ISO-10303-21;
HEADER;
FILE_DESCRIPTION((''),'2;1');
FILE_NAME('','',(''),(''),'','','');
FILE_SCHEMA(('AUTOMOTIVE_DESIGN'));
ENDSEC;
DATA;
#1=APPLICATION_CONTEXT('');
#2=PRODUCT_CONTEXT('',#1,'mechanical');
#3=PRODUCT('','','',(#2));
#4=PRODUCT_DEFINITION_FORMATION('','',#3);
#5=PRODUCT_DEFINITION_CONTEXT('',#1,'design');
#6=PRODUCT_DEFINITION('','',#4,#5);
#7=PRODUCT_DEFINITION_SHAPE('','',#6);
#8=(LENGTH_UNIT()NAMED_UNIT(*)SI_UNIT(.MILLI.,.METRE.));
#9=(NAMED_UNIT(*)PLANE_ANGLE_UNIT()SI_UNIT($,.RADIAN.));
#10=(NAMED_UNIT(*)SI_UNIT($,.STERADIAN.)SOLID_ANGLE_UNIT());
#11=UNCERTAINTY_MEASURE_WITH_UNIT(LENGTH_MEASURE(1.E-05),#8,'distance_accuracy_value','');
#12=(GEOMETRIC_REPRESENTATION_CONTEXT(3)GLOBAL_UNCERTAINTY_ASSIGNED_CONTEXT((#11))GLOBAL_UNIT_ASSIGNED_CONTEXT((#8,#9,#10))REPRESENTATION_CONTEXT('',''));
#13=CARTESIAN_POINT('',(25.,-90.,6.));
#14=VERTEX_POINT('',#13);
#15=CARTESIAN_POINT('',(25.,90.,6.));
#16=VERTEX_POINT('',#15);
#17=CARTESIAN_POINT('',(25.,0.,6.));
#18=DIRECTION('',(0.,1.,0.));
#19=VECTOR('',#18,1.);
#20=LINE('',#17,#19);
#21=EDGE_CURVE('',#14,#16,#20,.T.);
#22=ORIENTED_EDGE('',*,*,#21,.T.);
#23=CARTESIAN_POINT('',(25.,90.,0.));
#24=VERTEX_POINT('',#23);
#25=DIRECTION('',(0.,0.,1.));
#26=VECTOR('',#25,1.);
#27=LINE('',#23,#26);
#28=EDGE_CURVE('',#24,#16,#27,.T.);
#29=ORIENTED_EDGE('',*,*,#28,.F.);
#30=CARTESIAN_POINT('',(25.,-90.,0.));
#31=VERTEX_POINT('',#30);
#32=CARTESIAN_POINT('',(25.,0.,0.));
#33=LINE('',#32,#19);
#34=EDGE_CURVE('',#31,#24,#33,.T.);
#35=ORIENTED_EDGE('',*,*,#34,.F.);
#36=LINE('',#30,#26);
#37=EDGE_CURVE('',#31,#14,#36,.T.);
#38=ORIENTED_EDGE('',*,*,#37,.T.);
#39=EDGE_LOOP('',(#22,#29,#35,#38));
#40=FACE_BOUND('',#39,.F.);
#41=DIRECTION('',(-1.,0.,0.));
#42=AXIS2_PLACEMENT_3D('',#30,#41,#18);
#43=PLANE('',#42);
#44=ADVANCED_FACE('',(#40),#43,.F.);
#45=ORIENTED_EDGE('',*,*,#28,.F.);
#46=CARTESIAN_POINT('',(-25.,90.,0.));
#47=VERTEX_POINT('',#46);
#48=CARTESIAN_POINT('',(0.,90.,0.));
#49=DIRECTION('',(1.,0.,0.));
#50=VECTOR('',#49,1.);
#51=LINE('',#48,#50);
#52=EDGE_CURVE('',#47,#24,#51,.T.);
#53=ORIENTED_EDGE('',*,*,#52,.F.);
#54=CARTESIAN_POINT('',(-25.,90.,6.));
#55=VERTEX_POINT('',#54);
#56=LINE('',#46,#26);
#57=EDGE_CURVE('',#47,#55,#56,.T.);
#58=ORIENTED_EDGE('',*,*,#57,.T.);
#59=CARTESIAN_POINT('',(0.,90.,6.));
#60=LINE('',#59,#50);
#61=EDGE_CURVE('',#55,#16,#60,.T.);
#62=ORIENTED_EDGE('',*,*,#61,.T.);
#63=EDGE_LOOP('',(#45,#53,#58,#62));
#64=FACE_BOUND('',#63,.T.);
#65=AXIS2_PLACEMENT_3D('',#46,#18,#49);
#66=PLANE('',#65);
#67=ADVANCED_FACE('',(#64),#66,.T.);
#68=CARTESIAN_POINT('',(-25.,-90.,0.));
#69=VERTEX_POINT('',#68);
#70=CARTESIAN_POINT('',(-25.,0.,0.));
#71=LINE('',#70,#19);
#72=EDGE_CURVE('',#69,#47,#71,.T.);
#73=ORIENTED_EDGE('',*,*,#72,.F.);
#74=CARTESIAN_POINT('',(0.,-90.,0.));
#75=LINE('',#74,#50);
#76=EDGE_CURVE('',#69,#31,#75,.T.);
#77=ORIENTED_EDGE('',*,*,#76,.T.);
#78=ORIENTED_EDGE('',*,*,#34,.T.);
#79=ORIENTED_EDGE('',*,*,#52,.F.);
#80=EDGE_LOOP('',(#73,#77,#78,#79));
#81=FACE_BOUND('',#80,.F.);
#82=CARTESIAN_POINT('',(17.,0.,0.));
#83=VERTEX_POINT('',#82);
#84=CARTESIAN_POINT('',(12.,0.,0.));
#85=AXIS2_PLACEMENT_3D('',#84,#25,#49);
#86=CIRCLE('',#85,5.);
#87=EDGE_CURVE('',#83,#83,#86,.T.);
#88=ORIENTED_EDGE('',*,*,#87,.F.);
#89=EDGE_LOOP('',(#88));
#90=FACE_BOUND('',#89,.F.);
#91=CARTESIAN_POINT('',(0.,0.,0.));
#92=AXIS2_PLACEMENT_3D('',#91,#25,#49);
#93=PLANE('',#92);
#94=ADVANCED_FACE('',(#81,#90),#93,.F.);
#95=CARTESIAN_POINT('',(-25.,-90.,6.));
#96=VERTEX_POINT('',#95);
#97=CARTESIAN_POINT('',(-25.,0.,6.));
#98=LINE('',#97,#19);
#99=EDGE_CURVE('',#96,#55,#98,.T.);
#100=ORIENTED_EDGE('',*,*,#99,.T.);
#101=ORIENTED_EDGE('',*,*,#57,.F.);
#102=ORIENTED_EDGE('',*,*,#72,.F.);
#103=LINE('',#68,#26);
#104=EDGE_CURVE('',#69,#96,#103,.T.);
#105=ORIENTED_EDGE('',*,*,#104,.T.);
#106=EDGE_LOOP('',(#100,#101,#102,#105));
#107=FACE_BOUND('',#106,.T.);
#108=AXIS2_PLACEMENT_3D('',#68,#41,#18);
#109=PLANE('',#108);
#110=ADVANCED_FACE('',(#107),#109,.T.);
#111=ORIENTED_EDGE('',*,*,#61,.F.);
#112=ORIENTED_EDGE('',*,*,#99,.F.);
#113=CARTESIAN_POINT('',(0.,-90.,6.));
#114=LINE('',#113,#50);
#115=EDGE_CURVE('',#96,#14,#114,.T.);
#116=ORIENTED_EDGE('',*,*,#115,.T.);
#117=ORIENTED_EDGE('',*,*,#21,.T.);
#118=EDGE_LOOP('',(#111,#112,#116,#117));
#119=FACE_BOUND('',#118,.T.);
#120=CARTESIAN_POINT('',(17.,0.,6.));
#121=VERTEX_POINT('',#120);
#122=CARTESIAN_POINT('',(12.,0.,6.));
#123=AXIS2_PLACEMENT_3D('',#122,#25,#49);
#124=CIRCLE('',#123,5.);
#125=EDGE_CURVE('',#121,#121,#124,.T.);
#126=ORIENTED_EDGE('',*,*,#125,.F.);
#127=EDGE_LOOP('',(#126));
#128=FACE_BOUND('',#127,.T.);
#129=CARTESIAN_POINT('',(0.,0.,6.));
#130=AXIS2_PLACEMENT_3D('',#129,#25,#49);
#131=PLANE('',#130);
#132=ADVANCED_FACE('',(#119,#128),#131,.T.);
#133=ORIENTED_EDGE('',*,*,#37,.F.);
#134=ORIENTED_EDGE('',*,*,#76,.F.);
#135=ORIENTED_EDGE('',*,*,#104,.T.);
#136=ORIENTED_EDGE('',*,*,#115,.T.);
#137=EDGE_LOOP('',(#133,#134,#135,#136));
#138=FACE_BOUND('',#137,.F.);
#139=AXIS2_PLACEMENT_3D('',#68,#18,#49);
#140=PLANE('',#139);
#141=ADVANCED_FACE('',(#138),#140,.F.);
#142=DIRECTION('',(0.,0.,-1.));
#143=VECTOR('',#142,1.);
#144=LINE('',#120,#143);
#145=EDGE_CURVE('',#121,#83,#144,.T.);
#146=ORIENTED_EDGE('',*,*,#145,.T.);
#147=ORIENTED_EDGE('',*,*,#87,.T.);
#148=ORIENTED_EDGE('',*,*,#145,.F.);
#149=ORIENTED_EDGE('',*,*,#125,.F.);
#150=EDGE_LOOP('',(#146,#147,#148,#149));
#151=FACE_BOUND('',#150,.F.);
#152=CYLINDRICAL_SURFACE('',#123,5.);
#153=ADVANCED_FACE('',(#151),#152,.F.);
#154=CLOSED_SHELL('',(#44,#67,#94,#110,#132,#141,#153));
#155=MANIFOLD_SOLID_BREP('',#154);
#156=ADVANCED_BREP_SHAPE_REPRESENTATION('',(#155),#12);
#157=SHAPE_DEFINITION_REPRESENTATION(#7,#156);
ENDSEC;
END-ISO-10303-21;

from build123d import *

# Parameters (mm, degrees)
CROQUIS1_W              = 50
CROQUIS1_H              = 180
SALIENTE_EXTRUIR1_DEPTH = 6
CROQUIS2_R              = 5
CORTAR_EXTRUIR1_DEPTH   = 10


with BuildPart() as part:
    # Croquis1 → Saliente-Extruir1 (new body)
    with BuildSketch(Plane.XY):
        Rectangle(CROQUIS1_W, CROQUIS1_H)
    extrude(amount=SALIENTE_EXTRUIR1_DEPTH)

    # Croquis2 → Cortar-Extruir1 (cut)
    with BuildSketch(Plane.XY.offset(6)):
        with Locations((12, 0)):
            Circle(CROQUIS2_R)
    extrude(amount=-CORTAR_EXTRUIR1_DEPTH, mode=Mode.SUBTRACT)


solid = part.part
